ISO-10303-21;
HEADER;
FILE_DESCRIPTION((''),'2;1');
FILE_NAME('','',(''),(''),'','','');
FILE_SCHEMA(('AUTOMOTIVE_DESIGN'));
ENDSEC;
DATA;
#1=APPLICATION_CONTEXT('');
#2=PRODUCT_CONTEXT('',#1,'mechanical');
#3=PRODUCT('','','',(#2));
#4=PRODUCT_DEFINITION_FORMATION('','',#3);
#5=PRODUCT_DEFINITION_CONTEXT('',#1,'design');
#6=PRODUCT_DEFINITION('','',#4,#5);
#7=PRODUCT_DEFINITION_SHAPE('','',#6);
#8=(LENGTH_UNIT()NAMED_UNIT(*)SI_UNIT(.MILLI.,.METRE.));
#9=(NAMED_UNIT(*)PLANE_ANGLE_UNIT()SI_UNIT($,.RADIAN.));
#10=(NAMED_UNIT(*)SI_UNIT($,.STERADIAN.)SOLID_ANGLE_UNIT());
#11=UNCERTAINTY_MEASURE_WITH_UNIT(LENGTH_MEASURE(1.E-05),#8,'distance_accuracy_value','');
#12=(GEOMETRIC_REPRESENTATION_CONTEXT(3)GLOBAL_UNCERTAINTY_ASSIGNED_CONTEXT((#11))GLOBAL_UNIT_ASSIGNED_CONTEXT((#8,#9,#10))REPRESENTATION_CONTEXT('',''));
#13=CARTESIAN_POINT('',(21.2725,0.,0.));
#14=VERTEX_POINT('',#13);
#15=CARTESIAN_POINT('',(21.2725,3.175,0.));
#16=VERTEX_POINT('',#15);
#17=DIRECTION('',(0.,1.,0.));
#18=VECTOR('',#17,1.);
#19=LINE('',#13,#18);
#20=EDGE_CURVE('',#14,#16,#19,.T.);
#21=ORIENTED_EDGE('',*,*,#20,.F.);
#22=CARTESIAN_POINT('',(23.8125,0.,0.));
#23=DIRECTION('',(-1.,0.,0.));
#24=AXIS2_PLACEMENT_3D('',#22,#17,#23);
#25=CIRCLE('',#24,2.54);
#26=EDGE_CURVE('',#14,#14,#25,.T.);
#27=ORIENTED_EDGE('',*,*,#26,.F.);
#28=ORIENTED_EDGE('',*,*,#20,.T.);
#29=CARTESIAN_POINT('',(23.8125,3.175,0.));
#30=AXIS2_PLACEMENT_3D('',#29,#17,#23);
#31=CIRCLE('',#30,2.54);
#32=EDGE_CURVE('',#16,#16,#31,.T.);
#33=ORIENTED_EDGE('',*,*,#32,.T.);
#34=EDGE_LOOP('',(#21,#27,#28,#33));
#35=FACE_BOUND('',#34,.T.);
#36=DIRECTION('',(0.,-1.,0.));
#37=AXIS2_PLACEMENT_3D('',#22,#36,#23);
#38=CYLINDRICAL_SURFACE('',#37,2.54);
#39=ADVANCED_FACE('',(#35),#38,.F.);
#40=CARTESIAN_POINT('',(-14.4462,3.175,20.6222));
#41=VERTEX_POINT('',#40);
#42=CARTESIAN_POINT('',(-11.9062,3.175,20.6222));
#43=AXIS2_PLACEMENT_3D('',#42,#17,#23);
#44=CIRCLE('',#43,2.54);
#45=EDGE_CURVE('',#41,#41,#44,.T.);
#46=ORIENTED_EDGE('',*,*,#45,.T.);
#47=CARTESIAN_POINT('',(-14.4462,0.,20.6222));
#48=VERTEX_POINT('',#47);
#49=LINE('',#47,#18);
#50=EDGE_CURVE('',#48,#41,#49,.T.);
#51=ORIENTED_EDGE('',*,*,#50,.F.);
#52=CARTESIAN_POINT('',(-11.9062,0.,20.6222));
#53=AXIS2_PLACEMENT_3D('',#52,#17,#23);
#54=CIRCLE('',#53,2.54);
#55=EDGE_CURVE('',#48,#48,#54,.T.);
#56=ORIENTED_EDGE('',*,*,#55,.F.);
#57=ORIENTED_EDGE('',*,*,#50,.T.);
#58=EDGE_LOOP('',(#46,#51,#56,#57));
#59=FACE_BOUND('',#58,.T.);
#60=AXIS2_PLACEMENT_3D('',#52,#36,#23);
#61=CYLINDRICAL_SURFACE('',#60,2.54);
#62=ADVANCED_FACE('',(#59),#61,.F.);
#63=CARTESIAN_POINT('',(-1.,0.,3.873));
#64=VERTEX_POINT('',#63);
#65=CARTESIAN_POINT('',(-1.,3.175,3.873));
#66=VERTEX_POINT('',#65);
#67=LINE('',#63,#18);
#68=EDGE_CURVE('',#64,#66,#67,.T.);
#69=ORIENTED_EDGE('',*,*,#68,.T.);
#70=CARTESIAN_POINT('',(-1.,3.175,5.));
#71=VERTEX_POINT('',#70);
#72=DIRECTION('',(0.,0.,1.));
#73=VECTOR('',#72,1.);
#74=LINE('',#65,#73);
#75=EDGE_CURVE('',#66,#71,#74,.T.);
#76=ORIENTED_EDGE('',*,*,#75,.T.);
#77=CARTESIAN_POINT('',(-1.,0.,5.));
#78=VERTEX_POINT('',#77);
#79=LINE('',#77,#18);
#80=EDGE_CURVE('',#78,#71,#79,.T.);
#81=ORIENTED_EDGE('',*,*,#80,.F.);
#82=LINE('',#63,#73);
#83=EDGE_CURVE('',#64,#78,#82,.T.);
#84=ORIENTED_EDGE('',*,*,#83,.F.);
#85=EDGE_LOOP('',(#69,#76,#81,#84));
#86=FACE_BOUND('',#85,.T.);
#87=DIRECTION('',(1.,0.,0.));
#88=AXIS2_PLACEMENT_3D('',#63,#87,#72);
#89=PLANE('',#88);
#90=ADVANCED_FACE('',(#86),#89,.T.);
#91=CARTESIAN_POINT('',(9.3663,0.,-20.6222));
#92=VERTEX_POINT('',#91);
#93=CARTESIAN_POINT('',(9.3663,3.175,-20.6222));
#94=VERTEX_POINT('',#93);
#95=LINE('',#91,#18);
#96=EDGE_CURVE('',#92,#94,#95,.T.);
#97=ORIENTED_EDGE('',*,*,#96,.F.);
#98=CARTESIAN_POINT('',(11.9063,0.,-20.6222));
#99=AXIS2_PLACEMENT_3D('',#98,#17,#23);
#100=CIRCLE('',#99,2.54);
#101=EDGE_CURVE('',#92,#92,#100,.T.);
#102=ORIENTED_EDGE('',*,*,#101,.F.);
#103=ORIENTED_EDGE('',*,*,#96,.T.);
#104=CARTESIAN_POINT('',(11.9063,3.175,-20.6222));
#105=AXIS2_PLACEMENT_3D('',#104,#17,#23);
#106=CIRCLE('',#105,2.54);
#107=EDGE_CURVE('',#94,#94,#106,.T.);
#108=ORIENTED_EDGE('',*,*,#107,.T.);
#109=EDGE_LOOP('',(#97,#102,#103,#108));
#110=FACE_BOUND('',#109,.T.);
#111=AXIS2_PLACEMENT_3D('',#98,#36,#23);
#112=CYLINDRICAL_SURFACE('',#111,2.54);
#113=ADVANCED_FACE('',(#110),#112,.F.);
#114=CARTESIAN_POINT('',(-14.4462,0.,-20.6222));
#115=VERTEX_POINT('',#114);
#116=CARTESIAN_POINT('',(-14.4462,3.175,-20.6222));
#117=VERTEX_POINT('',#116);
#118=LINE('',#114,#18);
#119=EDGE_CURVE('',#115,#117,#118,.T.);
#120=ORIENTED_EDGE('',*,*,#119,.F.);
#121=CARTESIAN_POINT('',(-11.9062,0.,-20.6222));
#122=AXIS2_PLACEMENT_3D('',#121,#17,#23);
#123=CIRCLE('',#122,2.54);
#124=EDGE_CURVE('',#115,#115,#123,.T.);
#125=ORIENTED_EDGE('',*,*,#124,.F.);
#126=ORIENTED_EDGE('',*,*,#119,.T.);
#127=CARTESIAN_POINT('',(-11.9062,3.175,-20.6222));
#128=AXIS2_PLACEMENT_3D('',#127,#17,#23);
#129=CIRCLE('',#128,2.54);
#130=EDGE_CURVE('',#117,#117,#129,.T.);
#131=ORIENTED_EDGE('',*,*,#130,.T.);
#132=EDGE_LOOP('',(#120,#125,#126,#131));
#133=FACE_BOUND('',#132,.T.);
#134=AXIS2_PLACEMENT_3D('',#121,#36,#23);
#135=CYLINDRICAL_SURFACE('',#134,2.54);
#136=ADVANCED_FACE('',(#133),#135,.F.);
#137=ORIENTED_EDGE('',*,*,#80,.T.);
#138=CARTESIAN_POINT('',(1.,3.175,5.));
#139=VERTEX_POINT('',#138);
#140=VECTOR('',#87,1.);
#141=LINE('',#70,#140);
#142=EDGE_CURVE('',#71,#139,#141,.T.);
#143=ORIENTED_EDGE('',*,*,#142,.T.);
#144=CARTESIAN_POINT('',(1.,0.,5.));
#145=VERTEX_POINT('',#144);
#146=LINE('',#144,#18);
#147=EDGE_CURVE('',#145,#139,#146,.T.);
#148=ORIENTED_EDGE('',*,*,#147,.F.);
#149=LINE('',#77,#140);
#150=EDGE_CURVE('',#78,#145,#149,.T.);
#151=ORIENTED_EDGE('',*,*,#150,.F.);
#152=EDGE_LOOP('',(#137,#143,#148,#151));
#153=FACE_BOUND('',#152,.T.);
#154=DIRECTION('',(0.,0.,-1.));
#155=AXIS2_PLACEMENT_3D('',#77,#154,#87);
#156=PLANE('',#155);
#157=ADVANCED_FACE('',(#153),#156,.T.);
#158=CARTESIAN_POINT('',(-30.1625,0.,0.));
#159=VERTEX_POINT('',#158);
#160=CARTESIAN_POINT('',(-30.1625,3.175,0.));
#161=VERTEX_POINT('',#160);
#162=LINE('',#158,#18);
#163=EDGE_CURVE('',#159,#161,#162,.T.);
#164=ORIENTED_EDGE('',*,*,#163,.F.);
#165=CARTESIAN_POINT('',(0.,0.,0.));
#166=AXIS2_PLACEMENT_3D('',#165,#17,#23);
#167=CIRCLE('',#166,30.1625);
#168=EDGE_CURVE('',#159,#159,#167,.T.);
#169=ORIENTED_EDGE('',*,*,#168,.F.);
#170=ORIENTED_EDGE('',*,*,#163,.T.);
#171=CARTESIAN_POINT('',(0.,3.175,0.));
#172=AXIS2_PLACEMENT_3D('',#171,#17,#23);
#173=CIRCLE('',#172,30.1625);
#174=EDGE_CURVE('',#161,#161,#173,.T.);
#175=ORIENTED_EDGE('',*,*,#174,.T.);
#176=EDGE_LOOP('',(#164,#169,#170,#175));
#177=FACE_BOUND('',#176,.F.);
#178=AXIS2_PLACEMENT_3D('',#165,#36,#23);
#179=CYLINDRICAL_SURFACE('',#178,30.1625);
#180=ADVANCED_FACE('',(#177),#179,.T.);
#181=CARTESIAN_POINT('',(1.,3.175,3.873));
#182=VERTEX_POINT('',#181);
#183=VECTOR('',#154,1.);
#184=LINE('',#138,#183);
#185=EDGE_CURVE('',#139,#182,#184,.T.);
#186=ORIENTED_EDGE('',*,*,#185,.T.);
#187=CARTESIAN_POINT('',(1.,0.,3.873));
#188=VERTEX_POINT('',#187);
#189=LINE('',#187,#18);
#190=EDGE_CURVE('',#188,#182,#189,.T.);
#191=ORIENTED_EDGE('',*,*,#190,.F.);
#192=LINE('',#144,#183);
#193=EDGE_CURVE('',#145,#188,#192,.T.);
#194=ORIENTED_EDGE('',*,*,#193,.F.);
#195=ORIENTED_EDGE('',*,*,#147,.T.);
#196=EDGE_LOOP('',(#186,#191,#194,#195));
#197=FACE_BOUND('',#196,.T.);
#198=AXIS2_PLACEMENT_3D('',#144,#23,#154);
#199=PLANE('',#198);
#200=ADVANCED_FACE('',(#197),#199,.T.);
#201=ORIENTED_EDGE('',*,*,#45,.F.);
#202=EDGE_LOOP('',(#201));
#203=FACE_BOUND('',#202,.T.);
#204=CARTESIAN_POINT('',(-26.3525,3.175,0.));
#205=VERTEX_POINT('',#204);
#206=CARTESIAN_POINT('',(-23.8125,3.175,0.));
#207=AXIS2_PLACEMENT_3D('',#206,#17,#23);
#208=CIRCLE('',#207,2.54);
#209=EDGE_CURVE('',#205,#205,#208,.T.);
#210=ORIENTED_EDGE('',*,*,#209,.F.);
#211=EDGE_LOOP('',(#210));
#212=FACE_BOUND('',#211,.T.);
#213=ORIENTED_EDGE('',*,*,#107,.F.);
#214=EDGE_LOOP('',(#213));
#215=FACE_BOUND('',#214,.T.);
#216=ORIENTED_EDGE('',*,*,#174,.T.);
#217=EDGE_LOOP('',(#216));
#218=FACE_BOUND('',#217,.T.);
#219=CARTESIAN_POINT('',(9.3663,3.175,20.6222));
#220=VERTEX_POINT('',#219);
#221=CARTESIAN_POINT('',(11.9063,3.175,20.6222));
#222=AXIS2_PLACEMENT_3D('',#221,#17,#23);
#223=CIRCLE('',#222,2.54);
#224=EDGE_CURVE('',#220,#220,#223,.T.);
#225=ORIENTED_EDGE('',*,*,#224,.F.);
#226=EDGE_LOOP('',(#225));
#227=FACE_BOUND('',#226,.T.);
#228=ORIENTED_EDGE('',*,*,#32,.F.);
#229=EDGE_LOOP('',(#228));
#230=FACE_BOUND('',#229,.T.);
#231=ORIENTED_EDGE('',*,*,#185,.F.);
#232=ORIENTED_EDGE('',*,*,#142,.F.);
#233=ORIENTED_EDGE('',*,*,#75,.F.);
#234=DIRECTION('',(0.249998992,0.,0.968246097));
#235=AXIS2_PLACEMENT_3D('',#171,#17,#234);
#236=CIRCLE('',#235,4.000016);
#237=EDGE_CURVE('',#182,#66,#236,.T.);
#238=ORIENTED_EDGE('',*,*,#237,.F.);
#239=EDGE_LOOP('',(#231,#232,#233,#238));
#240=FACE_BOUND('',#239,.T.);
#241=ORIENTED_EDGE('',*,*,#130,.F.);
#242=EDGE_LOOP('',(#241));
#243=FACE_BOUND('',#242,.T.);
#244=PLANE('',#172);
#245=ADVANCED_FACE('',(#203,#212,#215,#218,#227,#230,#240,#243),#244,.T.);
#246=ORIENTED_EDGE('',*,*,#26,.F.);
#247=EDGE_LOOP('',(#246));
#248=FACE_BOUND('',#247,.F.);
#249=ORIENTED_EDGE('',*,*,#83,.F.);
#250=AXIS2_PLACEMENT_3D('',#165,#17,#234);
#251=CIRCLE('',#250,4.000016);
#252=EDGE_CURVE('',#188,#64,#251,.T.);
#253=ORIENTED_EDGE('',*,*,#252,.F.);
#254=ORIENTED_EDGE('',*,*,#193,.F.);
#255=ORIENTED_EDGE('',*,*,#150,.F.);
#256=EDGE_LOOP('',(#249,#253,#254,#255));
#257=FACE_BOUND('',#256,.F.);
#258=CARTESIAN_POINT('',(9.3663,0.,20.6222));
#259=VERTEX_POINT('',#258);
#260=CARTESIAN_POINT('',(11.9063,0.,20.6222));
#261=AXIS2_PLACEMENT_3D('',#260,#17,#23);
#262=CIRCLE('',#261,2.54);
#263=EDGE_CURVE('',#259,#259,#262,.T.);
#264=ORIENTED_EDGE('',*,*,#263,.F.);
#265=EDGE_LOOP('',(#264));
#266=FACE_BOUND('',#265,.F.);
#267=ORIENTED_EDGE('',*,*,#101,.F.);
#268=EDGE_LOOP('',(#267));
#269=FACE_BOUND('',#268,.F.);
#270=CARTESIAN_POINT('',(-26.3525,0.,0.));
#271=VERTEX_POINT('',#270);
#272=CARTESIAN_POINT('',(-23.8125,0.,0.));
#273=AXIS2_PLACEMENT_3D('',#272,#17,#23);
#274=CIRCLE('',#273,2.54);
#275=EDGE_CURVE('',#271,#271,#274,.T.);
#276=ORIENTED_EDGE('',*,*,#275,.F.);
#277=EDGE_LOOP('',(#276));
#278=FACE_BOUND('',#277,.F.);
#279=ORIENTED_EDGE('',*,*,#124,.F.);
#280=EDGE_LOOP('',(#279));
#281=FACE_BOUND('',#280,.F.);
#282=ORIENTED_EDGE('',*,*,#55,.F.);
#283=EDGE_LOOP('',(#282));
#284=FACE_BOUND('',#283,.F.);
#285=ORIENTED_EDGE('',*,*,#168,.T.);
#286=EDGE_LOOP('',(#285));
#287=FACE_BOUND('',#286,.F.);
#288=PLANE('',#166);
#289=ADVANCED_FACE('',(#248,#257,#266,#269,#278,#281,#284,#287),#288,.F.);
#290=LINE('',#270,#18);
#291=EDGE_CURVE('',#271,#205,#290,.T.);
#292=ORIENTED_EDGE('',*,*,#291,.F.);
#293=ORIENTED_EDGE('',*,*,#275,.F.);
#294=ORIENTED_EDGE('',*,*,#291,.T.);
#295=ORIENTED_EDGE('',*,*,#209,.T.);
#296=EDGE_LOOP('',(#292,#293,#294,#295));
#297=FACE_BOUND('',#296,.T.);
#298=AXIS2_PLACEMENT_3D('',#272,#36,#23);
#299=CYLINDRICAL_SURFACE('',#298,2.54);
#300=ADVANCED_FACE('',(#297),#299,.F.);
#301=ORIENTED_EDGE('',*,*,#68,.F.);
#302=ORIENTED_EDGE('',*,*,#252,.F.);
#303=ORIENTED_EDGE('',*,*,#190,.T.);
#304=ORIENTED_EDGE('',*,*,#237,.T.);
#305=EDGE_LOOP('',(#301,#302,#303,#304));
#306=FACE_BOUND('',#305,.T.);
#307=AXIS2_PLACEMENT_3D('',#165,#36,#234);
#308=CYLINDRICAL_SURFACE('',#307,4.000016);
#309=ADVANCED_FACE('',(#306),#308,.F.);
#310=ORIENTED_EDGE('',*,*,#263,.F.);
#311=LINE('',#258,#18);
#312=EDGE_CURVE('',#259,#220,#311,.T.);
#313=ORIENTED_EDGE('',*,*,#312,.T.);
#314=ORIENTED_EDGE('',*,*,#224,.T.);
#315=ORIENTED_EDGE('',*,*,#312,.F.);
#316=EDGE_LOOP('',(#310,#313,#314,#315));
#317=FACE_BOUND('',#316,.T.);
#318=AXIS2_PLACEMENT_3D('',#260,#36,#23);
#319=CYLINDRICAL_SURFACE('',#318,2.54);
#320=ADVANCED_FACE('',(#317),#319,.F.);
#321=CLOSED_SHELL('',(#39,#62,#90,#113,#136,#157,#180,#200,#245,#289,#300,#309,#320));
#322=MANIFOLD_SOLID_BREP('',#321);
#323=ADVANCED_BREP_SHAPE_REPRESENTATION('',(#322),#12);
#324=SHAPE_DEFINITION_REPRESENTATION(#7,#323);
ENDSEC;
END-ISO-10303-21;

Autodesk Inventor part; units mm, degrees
ref_plane "YZ Plane" through (0, 0, 0) normal (1, 0, 0) x (0, 1, 0)
ref_plane "XZ Plane" through (0, 0, 0) normal (0, 1, 0) x (-1, 0, 0)
ref_plane "XY Plane" through (0, 0, 0) normal (0, 0, 1) x (1, 0, 0)
sketch "Sketch1" plane through (0, 0, 0) normal (0, 1, 0) x (-1, 0, 0)
  circle A0 centre (-23.8125, 0) radius 2.54
  circle A1 centre (-11.9063, 20.6222) radius 2.54
  circle A2 centre (11.9062, 20.6222) radius 2.54
  circle A3 centre (23.8125, 0) radius 2.54
  circle A4 centre (-11.9063, -20.6222) radius 2.54
  circle A5 centre (11.9062, -20.6222) radius 2.54
  circle A6 centre (0, 0) radius 30.1625
  arc A7 (-1, 3.873) -> (1, 3.873) centre (0, 0) ccw
  line L0 (1, 3.873) -> (1, 5)
  line L1 (1, 5) -> (-1, 5)
  line L2 (-1, 5) -> (-1, 3.873)
  dimension "d0" = 5.08
  dimension "d6" = 5.08
  dimension "d8" = 5.08
  dimension "d10" = 5.08
  dimension "d11" = 60.325
  dimension "d15" = 8
  dimension "d19" = 1
  dimension "d20" = 1
  dimension "d22" = 0
  dimension "d23" = 1
extrude "Extrusion2" add sketch "Sketch1" along normal blind 3.175
properties part number "Pneumatic Hub"
